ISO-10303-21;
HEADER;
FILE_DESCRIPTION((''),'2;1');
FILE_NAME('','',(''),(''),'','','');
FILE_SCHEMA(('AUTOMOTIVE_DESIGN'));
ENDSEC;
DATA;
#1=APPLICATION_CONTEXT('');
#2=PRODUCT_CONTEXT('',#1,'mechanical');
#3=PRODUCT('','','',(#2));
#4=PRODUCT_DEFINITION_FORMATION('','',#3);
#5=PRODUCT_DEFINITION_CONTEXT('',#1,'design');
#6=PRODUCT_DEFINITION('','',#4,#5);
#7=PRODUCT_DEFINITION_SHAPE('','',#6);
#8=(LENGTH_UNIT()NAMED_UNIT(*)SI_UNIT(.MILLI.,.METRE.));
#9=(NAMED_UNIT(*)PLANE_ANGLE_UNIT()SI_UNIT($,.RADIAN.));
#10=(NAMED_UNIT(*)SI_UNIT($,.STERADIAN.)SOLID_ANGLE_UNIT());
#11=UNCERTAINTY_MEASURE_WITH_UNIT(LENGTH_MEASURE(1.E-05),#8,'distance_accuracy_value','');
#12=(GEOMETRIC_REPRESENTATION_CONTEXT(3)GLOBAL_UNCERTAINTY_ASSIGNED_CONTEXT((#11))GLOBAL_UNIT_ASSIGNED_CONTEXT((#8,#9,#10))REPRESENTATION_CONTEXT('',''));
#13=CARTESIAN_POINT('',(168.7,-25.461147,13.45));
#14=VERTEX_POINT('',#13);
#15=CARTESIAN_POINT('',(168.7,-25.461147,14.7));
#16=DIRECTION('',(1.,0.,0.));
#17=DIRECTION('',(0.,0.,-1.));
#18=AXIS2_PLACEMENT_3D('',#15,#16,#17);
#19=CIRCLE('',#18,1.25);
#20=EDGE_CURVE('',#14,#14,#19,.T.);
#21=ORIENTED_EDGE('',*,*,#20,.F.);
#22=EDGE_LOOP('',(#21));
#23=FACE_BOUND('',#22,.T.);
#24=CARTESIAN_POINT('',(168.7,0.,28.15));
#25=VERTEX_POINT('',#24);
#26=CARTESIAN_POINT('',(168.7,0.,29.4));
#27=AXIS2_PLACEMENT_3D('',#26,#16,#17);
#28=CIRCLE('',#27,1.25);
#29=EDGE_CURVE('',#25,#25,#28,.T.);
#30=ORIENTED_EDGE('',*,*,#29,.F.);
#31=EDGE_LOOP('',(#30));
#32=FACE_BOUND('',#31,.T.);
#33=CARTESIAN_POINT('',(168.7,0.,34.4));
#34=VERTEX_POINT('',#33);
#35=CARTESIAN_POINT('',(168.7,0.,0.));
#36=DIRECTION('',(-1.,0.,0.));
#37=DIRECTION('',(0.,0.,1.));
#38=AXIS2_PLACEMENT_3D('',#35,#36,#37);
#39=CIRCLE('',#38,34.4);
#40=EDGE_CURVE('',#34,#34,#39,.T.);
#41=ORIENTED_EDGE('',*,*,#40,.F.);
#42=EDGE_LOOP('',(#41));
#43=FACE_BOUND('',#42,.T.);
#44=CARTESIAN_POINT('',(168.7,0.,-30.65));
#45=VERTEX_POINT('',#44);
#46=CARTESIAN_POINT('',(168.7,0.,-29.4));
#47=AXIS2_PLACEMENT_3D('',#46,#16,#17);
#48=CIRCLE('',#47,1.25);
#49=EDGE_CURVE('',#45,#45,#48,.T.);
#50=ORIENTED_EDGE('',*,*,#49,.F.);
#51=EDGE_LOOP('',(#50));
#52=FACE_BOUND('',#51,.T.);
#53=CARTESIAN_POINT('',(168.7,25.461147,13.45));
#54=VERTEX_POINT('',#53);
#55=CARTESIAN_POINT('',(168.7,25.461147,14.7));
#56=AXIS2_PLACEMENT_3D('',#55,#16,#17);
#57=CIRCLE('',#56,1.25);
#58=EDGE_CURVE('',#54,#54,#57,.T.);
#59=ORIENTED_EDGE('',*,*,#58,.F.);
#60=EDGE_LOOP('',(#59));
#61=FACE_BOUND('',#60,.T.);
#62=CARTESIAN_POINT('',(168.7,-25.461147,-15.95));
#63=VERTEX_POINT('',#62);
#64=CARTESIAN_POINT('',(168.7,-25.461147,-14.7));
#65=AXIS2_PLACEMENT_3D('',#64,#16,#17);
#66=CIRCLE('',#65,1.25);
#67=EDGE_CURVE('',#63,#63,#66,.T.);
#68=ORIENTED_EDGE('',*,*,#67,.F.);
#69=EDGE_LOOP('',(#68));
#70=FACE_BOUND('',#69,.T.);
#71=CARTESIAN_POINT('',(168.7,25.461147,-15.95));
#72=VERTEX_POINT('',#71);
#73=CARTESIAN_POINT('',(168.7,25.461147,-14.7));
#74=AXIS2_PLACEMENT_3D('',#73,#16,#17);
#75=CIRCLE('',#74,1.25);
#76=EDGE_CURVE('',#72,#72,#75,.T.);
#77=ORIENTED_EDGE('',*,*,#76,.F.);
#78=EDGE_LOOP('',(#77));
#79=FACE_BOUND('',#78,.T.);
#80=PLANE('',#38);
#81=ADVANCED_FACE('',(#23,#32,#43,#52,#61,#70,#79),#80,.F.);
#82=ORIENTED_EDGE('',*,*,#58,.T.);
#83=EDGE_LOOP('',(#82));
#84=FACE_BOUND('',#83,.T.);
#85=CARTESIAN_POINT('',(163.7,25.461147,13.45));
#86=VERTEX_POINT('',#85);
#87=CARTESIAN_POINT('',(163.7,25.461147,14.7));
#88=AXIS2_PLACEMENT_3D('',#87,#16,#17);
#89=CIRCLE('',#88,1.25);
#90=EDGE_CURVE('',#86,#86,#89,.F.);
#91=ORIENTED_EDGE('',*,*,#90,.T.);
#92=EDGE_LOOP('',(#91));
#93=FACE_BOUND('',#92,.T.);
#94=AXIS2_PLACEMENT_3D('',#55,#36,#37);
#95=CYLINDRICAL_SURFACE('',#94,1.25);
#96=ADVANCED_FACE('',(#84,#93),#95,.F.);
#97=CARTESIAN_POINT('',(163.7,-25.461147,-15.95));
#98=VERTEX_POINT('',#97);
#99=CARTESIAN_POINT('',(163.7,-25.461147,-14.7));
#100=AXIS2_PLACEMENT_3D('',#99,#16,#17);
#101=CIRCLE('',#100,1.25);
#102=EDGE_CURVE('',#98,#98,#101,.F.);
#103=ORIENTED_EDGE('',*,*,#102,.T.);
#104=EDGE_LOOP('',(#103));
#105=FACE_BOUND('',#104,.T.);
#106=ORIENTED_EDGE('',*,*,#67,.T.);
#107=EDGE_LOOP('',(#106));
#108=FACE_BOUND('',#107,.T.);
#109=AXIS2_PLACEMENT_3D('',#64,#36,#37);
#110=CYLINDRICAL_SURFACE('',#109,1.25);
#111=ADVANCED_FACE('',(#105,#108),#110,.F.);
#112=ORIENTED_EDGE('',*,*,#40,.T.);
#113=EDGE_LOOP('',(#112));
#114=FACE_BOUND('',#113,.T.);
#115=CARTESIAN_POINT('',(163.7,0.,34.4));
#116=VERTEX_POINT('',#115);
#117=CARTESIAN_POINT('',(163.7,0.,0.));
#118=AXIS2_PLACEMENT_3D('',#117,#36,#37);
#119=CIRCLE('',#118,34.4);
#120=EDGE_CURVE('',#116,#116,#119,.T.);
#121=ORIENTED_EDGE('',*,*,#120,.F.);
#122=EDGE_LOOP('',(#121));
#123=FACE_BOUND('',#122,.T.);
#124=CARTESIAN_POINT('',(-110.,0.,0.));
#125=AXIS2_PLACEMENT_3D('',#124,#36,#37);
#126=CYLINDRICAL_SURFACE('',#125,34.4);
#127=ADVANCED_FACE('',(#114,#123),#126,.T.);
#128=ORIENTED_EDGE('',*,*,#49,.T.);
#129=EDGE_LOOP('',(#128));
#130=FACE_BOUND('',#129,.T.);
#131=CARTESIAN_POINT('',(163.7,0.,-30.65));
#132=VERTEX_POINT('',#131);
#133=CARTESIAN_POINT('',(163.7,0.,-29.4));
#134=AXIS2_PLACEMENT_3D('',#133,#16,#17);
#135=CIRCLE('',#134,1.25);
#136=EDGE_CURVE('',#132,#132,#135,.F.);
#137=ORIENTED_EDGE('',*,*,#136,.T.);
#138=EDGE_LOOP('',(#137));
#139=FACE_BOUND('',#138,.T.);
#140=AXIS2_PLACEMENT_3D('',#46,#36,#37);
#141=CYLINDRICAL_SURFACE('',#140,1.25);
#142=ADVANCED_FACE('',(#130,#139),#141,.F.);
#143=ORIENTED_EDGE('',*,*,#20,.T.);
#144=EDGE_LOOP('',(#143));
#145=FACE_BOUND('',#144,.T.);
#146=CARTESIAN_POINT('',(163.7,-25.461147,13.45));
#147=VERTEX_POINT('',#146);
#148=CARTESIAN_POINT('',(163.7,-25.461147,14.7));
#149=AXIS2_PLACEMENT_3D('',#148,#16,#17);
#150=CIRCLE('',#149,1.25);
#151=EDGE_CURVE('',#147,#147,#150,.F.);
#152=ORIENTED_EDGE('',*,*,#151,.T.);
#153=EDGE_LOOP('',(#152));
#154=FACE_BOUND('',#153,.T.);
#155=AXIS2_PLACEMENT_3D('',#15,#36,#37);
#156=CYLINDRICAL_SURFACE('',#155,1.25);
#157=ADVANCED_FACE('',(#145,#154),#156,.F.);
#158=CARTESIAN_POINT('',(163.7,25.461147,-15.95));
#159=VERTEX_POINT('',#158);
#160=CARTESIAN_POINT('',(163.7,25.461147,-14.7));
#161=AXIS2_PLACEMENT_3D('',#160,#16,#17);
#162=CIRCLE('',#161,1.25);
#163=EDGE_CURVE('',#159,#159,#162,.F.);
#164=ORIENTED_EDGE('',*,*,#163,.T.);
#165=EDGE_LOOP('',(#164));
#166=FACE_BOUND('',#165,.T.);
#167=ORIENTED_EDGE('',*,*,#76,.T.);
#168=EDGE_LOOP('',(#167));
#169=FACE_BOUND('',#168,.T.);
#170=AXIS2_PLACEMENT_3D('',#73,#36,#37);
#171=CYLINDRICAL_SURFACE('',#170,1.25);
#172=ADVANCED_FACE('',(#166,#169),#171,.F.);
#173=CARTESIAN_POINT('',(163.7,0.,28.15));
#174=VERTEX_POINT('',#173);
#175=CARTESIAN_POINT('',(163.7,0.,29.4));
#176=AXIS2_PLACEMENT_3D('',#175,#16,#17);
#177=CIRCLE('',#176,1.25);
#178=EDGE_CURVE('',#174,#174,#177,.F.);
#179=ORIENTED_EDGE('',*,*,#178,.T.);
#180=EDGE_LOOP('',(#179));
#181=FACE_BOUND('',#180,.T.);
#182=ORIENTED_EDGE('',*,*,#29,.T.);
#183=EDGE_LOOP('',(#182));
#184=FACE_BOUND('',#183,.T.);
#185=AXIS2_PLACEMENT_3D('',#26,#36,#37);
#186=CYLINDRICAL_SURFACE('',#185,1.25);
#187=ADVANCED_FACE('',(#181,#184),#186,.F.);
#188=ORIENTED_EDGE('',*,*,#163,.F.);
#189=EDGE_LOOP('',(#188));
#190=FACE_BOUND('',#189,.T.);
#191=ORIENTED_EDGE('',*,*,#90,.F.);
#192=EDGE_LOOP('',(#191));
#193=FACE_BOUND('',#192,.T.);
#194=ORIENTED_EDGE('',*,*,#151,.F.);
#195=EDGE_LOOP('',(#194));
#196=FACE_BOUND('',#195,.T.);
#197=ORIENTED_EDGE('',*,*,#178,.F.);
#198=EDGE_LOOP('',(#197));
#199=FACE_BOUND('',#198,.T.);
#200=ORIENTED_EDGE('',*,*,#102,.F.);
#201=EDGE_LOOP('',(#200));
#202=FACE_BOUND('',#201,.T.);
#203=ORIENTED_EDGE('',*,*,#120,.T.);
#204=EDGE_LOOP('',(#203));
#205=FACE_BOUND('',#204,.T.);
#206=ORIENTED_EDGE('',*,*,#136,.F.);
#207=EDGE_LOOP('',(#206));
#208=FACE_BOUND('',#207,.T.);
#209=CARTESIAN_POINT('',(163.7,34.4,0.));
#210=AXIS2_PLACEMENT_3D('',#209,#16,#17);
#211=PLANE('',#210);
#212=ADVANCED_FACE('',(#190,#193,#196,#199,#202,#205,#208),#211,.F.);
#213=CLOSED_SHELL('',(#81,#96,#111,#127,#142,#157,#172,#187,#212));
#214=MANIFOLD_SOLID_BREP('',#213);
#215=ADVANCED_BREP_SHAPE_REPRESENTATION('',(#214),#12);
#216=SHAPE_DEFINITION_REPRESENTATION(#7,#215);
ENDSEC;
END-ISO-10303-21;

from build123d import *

# Parameters (mm, degrees)
AXIAL_PROFILE_MM_W     = 5
AXIAL_PROFILE_MM_H     = 34.4
AXIAL_HOLES_DEPTH      = 176.574514096
AXIAL_HOLES_DEPTH_BACK = 176.574514096
SKETCH2_R              = 1.25


with BuildPart() as part:
    # Axial profile (mm) → Full revolution (revolve)
    with BuildSketch(Plane.XY, mode=Mode.PRIVATE) as full_revolution_sk:
        with Locations((166.2, 17.2)):
            Rectangle(AXIAL_PROFILE_MM_W, AXIAL_PROFILE_MM_H)
    revolve(full_revolution_sk.sketch.rotate(Axis((-110, 0, 0), (1, 0, 0)), 90), axis=Axis((-110, 0, 0), (1, 0, 0)))

    # Sketch2 → Axial holes (cut, two sides: drawn at the far end of the back side and taken through both)
    with BuildSketch(Plane(origin=(0, 0, 0), x_dir=(0, 0, -1), z_dir=(1, 0, 0)).offset(-AXIAL_HOLES_DEPTH_BACK)):
        with Locations((-29.4, 0)):
            Circle(SKETCH2_R)
        with Locations((14.7, -25.461146871)):
            Circle(SKETCH2_R)
        with Locations((14.7, 25.461146871)):
            Circle(SKETCH2_R)
        with Locations((29.4, 0)):
            Circle(SKETCH2_R)
        with Locations((-14.7, 25.461146871)):
            Circle(SKETCH2_R)
        with Locations((-14.7, -25.461146871)):
            Circle(SKETCH2_R)
    extrude(amount=AXIAL_HOLES_DEPTH + AXIAL_HOLES_DEPTH_BACK, mode=Mode.SUBTRACT)


solid = part.part
